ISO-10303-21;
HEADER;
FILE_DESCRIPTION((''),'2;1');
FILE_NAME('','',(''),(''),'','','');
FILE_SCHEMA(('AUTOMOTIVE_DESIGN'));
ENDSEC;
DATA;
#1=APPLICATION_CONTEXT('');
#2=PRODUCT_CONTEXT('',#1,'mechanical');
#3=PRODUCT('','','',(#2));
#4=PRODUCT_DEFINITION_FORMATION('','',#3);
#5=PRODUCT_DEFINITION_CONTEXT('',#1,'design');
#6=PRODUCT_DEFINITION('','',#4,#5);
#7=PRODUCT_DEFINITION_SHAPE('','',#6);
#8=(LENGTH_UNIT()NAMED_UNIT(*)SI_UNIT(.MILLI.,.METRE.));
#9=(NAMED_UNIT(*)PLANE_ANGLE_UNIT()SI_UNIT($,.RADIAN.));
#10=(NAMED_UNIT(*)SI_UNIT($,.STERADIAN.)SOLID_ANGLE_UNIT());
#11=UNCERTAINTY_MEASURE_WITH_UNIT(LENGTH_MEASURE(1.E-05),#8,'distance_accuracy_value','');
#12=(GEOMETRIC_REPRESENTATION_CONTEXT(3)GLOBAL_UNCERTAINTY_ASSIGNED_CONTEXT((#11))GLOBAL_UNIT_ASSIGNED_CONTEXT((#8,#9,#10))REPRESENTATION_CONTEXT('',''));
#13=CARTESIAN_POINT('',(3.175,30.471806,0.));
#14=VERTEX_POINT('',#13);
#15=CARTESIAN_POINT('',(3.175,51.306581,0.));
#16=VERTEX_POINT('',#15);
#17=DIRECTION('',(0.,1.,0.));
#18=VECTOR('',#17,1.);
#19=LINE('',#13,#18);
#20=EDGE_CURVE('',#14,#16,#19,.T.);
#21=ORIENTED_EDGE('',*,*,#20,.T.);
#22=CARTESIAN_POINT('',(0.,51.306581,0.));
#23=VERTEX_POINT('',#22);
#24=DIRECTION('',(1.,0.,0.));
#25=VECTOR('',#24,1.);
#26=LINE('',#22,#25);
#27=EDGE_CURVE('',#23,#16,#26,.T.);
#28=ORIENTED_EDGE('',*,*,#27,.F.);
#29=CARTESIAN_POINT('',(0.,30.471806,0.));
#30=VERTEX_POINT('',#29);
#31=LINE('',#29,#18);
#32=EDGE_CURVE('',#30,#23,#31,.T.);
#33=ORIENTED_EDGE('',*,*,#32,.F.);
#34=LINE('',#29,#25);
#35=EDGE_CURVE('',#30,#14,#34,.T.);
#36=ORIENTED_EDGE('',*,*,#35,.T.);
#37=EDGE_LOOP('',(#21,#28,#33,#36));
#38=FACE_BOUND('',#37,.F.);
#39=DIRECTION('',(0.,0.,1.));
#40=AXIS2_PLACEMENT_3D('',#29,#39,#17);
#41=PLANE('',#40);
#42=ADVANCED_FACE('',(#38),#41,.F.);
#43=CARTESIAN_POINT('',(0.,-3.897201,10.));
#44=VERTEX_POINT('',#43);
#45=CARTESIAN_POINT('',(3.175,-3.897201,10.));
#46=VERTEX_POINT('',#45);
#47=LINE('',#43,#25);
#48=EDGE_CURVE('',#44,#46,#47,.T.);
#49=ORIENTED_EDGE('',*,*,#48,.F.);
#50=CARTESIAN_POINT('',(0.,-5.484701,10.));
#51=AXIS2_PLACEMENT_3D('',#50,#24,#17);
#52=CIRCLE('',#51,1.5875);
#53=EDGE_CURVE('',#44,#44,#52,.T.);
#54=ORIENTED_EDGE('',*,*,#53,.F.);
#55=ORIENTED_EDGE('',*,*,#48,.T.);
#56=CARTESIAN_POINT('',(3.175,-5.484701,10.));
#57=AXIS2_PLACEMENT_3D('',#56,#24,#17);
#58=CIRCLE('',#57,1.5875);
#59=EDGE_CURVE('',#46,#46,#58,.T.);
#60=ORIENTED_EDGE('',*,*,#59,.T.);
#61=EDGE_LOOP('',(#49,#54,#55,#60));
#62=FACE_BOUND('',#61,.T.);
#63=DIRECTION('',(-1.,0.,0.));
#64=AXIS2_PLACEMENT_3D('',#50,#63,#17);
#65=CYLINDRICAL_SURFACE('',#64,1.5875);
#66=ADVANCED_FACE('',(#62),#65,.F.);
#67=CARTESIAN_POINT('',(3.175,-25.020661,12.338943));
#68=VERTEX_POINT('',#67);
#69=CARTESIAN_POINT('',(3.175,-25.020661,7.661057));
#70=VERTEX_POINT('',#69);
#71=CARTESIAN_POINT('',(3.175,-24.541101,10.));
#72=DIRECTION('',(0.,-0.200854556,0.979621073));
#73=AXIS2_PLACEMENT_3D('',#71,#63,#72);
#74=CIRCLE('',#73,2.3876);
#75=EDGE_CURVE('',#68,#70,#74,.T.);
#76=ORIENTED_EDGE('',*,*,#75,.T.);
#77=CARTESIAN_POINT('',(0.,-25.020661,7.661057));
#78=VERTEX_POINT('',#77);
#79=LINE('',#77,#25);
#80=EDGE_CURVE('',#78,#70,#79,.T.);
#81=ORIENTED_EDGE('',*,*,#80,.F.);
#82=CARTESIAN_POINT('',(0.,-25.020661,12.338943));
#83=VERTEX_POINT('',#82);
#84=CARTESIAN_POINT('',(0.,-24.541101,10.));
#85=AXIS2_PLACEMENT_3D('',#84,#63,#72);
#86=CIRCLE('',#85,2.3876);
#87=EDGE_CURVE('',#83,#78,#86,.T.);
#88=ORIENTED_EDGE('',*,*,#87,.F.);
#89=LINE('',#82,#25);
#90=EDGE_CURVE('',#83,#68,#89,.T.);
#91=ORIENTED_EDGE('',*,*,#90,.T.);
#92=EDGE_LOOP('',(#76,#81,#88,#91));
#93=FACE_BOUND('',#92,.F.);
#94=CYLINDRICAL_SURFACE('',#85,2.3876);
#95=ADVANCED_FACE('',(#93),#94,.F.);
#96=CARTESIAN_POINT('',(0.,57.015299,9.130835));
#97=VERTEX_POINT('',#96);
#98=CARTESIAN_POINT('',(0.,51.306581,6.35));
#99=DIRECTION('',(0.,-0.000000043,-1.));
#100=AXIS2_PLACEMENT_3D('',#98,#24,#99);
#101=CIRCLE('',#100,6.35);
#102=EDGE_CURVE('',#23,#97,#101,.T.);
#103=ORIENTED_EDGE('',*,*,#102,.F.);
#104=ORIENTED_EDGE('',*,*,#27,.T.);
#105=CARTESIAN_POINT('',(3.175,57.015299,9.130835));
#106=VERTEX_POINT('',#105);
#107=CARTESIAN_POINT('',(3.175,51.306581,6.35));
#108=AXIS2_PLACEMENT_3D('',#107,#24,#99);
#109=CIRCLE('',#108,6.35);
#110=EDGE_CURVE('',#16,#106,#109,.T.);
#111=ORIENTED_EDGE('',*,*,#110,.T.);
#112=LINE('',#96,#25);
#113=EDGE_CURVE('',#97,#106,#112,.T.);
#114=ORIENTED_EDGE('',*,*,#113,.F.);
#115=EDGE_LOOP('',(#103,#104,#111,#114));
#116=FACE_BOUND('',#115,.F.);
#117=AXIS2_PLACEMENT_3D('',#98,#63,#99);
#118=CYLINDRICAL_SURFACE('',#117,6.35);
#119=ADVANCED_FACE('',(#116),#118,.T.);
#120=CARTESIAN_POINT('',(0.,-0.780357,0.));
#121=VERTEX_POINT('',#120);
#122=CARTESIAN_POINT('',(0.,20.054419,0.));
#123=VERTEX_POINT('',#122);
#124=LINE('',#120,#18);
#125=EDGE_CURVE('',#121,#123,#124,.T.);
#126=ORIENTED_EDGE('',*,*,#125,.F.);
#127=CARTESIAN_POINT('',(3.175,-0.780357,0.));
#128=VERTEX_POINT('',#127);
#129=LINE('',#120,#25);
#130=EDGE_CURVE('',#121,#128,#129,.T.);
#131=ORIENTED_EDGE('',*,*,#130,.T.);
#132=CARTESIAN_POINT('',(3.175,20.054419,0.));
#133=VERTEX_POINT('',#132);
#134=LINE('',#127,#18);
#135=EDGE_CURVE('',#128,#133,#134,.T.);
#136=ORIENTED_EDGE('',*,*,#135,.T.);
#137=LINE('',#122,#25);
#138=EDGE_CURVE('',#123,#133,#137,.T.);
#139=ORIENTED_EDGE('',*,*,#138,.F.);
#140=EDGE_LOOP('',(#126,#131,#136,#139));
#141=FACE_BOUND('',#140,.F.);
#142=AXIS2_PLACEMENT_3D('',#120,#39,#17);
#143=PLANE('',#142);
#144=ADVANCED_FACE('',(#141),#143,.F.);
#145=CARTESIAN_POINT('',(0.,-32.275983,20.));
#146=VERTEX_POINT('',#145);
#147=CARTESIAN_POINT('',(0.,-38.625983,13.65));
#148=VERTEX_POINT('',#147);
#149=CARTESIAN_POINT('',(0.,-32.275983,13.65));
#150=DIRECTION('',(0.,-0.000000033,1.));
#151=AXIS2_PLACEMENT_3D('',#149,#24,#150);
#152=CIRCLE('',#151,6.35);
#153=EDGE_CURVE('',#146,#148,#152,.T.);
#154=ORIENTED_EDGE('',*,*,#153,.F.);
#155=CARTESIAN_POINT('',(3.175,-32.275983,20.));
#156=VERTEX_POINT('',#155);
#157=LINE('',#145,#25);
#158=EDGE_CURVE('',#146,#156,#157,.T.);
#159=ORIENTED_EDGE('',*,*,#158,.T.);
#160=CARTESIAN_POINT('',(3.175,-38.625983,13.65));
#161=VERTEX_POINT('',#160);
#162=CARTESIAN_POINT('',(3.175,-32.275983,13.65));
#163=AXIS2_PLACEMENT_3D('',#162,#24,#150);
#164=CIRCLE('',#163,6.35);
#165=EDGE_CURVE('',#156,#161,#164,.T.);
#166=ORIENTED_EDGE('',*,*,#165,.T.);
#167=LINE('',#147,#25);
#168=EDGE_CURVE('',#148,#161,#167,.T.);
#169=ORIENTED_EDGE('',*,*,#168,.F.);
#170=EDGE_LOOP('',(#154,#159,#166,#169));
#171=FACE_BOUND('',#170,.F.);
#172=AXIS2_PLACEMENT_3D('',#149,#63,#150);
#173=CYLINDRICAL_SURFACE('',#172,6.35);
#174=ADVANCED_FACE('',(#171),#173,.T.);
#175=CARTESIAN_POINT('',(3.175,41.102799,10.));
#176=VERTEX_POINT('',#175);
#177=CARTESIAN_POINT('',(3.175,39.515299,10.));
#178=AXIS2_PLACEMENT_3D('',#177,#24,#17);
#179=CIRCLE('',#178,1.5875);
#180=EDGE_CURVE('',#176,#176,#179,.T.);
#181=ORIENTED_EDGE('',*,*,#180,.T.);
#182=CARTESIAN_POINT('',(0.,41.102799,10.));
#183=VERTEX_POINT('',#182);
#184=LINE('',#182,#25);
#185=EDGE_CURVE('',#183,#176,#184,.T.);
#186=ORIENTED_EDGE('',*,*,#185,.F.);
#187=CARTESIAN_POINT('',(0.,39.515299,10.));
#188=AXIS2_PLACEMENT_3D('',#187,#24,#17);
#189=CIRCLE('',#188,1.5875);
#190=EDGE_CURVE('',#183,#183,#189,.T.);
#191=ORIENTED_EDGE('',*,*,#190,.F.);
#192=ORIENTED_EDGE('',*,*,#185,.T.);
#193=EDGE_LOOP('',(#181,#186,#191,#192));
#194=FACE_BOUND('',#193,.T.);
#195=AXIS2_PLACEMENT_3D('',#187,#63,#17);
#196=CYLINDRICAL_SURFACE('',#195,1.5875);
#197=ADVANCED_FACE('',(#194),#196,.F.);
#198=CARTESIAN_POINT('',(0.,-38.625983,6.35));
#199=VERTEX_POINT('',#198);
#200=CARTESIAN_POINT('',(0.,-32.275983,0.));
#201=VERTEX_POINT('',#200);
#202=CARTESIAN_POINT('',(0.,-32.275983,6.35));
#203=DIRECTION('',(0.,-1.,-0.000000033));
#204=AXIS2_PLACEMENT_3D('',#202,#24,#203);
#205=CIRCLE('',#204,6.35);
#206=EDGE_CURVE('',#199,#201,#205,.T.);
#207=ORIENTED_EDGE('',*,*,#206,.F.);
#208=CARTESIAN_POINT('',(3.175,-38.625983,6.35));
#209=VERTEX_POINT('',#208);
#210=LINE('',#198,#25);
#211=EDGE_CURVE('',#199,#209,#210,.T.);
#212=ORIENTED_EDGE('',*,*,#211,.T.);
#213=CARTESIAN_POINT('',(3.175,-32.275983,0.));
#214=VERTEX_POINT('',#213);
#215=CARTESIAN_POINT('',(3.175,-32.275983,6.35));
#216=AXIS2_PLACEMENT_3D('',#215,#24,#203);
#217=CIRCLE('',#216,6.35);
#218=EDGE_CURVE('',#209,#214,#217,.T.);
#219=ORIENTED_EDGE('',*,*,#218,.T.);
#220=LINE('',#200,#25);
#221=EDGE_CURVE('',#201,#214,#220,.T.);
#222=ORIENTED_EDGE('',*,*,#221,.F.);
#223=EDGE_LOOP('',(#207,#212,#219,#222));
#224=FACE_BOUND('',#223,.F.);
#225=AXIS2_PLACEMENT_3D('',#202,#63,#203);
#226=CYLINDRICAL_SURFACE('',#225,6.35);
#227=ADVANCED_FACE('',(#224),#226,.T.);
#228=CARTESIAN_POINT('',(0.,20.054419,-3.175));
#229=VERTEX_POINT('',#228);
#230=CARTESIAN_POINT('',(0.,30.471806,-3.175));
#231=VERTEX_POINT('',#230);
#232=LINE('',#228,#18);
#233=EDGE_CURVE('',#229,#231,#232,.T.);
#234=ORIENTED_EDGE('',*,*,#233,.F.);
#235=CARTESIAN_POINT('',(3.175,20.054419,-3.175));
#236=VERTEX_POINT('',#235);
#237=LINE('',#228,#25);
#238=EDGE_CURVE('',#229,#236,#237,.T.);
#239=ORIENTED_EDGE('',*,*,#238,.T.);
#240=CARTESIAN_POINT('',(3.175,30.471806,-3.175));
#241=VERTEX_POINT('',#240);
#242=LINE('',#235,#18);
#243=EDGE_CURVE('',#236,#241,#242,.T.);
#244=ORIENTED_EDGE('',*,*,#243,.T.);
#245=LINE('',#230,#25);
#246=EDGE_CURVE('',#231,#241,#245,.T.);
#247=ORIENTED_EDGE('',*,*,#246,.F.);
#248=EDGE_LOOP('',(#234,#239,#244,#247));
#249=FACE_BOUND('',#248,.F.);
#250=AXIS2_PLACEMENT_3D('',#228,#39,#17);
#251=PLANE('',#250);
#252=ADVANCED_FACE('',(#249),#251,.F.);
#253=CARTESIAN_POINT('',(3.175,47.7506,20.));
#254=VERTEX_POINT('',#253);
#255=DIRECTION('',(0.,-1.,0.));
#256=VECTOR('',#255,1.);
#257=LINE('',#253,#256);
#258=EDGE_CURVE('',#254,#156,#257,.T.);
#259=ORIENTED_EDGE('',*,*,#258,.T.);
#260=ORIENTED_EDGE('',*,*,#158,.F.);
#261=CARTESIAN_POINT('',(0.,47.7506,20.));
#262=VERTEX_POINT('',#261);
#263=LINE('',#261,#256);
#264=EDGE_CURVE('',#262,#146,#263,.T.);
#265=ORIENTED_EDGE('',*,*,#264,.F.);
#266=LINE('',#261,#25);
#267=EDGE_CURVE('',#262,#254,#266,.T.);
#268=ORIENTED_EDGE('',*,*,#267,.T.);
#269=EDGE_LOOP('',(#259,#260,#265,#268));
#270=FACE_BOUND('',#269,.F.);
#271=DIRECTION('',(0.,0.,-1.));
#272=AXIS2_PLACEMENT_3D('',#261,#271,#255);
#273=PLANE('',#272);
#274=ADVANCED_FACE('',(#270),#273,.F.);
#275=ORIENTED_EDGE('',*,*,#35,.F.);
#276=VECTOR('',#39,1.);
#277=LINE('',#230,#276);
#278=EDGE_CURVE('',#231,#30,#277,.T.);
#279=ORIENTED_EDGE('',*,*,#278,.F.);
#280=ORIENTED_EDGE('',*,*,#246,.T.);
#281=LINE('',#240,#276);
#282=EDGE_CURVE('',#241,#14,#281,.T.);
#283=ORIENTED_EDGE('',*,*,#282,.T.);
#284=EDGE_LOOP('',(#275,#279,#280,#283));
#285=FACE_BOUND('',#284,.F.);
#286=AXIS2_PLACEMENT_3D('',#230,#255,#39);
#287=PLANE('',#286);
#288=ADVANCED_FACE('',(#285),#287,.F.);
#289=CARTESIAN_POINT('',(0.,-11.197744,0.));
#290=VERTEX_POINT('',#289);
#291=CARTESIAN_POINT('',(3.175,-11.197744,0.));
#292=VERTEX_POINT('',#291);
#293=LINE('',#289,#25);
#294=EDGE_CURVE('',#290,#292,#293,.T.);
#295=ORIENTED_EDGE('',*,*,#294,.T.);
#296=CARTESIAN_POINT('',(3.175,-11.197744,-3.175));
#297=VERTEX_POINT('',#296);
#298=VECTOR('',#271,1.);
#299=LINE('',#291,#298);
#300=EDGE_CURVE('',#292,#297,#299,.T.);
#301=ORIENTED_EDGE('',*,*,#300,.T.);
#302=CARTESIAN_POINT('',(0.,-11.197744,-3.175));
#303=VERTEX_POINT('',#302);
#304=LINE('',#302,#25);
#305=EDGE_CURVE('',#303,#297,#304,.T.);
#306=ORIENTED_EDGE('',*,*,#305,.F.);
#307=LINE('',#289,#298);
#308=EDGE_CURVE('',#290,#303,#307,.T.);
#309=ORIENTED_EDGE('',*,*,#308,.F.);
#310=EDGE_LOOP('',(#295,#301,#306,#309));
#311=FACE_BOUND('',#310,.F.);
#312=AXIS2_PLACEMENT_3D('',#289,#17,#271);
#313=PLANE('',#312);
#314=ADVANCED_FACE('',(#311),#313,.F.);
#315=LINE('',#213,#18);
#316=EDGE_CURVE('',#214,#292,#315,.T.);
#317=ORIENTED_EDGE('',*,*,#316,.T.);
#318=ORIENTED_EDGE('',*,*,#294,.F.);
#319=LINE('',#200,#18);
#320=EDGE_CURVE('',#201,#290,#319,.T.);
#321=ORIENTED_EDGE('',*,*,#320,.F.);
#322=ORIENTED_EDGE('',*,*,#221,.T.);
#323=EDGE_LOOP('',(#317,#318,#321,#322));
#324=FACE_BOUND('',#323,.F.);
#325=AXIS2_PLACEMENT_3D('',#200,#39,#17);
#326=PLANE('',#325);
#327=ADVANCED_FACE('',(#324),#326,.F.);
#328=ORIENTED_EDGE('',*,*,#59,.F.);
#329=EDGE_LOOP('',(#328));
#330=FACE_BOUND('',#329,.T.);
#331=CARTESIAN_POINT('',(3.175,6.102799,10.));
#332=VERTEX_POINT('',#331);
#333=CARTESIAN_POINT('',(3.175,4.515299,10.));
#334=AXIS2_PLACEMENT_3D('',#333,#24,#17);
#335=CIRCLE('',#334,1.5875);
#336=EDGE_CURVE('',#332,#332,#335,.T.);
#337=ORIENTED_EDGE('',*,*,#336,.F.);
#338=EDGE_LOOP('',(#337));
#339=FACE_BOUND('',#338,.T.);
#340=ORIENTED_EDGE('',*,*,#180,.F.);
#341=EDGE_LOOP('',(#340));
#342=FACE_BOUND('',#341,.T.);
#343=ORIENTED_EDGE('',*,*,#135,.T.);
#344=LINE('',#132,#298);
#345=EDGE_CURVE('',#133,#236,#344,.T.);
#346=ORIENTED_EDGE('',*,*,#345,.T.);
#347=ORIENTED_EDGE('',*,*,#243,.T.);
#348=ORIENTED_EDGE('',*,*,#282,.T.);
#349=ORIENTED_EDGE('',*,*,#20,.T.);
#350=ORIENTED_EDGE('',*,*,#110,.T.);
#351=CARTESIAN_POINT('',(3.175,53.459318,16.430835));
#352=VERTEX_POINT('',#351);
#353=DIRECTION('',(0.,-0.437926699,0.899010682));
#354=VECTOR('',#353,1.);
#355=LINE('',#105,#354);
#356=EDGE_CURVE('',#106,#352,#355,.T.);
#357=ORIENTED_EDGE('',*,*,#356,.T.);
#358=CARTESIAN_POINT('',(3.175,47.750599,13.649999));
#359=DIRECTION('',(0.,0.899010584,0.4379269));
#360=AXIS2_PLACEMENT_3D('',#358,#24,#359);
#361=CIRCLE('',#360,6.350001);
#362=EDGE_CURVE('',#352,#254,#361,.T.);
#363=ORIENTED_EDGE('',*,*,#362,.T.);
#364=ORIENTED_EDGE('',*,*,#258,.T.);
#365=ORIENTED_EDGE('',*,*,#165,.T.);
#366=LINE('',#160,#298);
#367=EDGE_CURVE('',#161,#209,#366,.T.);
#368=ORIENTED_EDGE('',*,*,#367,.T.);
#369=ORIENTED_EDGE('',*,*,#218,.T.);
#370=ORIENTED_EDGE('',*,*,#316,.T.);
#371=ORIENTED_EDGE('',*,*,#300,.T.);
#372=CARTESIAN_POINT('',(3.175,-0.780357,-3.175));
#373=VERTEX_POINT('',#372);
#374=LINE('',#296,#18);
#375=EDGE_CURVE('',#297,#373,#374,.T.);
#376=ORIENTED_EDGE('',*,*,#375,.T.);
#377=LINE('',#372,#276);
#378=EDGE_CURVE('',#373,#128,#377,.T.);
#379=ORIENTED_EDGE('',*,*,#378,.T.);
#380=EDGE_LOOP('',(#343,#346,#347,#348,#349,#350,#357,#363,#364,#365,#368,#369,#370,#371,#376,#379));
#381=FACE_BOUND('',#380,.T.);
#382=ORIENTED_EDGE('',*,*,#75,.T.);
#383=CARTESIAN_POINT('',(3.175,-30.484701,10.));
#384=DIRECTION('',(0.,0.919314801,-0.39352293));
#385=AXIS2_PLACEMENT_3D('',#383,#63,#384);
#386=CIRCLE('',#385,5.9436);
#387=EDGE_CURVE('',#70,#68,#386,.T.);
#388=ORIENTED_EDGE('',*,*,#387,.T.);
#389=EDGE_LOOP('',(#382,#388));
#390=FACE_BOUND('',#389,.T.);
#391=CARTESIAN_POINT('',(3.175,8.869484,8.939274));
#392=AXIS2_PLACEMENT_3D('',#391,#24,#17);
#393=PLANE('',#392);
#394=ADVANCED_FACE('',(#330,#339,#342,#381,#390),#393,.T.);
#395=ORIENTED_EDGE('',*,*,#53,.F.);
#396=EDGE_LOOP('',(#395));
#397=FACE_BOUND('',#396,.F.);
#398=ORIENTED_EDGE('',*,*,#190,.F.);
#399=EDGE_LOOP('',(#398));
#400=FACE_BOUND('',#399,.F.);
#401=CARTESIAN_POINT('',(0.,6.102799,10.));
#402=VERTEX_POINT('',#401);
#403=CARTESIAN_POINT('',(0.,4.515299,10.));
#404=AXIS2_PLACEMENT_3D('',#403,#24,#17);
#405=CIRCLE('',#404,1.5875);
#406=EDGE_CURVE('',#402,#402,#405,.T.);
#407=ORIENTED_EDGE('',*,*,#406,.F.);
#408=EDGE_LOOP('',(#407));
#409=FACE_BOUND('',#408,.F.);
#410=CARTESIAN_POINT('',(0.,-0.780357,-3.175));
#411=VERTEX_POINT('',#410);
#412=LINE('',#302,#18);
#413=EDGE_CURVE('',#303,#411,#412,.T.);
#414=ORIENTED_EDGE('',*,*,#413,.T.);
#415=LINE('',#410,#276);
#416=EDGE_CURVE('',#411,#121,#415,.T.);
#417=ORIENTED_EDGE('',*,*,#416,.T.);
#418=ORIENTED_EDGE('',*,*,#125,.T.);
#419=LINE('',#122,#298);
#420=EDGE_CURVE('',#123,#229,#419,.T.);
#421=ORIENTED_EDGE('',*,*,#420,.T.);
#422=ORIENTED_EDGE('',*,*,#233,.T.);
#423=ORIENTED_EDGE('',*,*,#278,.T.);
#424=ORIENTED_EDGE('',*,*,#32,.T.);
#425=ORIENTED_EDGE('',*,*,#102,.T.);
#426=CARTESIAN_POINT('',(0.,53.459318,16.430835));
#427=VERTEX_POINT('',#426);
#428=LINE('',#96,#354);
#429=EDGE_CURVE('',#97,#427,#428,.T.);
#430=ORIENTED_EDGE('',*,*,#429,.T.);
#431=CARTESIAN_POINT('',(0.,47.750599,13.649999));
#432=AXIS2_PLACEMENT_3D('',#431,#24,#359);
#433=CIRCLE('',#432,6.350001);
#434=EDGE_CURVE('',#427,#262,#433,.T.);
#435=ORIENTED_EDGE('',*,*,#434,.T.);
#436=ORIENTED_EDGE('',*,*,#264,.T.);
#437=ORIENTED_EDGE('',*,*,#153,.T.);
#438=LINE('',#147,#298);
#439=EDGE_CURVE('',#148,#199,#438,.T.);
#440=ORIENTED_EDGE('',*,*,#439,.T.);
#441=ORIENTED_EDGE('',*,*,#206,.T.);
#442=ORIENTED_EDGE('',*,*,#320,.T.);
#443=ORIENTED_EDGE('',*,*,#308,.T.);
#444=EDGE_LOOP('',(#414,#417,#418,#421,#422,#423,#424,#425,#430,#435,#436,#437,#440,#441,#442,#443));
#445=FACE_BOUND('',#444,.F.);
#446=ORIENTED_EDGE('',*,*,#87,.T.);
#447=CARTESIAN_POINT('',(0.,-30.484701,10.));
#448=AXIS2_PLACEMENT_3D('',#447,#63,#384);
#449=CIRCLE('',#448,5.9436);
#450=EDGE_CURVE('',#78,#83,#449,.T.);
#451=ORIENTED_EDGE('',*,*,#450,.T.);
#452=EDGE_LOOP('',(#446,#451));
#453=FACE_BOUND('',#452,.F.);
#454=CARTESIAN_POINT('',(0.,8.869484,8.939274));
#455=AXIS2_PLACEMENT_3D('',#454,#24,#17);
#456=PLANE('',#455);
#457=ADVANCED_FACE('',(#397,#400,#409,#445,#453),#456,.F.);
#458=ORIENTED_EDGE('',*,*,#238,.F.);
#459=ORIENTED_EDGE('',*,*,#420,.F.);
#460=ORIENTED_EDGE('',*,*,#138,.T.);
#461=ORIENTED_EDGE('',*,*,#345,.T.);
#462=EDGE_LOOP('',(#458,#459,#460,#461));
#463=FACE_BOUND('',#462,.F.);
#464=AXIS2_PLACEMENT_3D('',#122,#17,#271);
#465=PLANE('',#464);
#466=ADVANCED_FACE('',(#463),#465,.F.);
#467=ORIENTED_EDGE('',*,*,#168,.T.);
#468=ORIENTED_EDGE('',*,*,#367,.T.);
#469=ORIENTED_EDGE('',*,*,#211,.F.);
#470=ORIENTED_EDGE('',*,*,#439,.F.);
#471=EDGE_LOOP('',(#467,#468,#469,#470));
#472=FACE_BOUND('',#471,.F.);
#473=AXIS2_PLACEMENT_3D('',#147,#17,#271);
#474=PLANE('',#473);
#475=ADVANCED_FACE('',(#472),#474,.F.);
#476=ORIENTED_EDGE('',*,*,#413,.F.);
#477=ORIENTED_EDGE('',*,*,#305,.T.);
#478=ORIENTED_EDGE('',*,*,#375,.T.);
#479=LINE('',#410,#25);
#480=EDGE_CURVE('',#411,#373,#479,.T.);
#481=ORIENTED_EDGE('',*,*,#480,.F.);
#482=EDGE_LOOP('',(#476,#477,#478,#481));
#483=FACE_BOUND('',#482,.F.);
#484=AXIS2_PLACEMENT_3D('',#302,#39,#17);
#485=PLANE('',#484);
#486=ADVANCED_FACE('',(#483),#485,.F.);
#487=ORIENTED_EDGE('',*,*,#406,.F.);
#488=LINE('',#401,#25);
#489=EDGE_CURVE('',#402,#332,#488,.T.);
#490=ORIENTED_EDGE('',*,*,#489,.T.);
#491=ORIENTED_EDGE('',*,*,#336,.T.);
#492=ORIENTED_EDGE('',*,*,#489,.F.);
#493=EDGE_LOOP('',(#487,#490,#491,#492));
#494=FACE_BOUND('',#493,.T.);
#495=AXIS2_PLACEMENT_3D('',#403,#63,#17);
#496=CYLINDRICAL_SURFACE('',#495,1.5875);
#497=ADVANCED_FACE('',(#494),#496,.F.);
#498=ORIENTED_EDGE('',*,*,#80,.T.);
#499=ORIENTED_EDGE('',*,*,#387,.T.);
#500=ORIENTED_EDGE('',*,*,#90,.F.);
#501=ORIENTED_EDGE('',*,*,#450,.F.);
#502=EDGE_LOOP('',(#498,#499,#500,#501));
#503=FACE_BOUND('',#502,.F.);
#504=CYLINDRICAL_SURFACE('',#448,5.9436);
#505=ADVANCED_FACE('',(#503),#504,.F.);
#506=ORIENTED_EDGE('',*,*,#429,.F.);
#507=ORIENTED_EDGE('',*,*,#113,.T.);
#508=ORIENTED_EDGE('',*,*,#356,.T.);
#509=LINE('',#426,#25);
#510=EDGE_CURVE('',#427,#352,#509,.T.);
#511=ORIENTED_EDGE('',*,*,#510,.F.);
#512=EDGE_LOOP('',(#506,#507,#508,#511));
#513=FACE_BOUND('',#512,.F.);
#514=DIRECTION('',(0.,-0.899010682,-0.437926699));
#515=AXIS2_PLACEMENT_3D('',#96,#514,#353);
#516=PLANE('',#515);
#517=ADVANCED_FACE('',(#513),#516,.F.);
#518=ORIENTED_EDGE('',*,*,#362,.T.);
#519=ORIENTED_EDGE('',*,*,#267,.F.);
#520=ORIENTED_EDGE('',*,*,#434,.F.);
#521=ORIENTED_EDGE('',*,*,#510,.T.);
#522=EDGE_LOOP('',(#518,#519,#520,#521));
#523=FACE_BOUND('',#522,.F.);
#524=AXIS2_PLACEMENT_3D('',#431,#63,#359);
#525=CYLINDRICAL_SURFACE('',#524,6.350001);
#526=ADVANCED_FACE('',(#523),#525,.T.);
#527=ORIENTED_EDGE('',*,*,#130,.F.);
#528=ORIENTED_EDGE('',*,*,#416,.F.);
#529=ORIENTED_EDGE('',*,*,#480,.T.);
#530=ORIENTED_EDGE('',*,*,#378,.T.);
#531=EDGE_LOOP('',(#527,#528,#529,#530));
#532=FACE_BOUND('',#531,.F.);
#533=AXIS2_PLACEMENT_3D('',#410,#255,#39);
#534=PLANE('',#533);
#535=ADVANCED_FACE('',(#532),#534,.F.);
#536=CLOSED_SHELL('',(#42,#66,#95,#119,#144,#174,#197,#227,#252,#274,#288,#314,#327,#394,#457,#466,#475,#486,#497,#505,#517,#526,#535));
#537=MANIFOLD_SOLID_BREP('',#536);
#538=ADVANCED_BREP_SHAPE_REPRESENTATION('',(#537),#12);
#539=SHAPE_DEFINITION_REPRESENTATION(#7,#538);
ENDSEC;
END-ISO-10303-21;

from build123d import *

# Parameters (mm, degrees)
F0_R     = 1.5875
F1_DEPTH = 3.175


with BuildPart() as f1:
    # F0 (on Right) → F1 (new body)
    with BuildSketch(Plane.YZ):
        with BuildLine():
            ThreePointArc((-38.625983, 6.35), (-36.766111, 1.859872), (-32.275983, 0))
            Line((-32.275983, 0), (-32.032519, 0))
            Line((-32.032519, 0), (-11.197744, 0))
            Line((-11.197744, 0), (-11.197744, -3.175))
            Line((-11.197744, -3.175), (-0.780357, -3.175))
            Line((-0.780357, -3.175), (-0.780357, 0))
            Line((-0.780357, 0), (20.054419, 0))
            Line((20.054419, 0), (20.054419, -3.175))
            Line((20.054419, -3.175), (30.471806, -3.175))
            Line((30.471806, -3.175), (30.471806, 0))
            Line((30.471806, 0), (51.306581, 0))
            ThreePointArc((51.306581, 0), (56.690855, 2.983682), (57.015299, 9.130835))
            Line((57.015299, 9.130835), (53.459318, 16.430835))
            ThreePointArc((53.459318, 16.430835), (51.116919, 19.034273), (47.7506, 20))
            Line((47.7506, 20), (-28.720002, 20))
            Line((-28.720002, 20), (-32.275983, 20))
            ThreePointArc((-32.275983, 20), (-36.766111, 18.140128), (-38.625983, 13.65))
            Line((-38.625983, 13.65), (-38.625983, 6.35))
        make_face()
        with BuildLine():
            ThreePointArc((-25.020661, 7.661057), (-36.428301, 10), (-25.020661, 12.338943))
            ThreePointArc((-25.020661, 12.338943), (-22.153501, 10), (-25.020661, 7.661057))
        make_face(mode=Mode.SUBTRACT)
        with Locations((-5.484701, 10)):
            Circle(F0_R, mode=Mode.SUBTRACT)
        with Locations((4.515299, 10)):
            Circle(F0_R, mode=Mode.SUBTRACT)
        with Locations((39.515299, 10)):
            Circle(F0_R, mode=Mode.SUBTRACT)
    extrude(amount=F1_DEPTH)


solid = f1.part
